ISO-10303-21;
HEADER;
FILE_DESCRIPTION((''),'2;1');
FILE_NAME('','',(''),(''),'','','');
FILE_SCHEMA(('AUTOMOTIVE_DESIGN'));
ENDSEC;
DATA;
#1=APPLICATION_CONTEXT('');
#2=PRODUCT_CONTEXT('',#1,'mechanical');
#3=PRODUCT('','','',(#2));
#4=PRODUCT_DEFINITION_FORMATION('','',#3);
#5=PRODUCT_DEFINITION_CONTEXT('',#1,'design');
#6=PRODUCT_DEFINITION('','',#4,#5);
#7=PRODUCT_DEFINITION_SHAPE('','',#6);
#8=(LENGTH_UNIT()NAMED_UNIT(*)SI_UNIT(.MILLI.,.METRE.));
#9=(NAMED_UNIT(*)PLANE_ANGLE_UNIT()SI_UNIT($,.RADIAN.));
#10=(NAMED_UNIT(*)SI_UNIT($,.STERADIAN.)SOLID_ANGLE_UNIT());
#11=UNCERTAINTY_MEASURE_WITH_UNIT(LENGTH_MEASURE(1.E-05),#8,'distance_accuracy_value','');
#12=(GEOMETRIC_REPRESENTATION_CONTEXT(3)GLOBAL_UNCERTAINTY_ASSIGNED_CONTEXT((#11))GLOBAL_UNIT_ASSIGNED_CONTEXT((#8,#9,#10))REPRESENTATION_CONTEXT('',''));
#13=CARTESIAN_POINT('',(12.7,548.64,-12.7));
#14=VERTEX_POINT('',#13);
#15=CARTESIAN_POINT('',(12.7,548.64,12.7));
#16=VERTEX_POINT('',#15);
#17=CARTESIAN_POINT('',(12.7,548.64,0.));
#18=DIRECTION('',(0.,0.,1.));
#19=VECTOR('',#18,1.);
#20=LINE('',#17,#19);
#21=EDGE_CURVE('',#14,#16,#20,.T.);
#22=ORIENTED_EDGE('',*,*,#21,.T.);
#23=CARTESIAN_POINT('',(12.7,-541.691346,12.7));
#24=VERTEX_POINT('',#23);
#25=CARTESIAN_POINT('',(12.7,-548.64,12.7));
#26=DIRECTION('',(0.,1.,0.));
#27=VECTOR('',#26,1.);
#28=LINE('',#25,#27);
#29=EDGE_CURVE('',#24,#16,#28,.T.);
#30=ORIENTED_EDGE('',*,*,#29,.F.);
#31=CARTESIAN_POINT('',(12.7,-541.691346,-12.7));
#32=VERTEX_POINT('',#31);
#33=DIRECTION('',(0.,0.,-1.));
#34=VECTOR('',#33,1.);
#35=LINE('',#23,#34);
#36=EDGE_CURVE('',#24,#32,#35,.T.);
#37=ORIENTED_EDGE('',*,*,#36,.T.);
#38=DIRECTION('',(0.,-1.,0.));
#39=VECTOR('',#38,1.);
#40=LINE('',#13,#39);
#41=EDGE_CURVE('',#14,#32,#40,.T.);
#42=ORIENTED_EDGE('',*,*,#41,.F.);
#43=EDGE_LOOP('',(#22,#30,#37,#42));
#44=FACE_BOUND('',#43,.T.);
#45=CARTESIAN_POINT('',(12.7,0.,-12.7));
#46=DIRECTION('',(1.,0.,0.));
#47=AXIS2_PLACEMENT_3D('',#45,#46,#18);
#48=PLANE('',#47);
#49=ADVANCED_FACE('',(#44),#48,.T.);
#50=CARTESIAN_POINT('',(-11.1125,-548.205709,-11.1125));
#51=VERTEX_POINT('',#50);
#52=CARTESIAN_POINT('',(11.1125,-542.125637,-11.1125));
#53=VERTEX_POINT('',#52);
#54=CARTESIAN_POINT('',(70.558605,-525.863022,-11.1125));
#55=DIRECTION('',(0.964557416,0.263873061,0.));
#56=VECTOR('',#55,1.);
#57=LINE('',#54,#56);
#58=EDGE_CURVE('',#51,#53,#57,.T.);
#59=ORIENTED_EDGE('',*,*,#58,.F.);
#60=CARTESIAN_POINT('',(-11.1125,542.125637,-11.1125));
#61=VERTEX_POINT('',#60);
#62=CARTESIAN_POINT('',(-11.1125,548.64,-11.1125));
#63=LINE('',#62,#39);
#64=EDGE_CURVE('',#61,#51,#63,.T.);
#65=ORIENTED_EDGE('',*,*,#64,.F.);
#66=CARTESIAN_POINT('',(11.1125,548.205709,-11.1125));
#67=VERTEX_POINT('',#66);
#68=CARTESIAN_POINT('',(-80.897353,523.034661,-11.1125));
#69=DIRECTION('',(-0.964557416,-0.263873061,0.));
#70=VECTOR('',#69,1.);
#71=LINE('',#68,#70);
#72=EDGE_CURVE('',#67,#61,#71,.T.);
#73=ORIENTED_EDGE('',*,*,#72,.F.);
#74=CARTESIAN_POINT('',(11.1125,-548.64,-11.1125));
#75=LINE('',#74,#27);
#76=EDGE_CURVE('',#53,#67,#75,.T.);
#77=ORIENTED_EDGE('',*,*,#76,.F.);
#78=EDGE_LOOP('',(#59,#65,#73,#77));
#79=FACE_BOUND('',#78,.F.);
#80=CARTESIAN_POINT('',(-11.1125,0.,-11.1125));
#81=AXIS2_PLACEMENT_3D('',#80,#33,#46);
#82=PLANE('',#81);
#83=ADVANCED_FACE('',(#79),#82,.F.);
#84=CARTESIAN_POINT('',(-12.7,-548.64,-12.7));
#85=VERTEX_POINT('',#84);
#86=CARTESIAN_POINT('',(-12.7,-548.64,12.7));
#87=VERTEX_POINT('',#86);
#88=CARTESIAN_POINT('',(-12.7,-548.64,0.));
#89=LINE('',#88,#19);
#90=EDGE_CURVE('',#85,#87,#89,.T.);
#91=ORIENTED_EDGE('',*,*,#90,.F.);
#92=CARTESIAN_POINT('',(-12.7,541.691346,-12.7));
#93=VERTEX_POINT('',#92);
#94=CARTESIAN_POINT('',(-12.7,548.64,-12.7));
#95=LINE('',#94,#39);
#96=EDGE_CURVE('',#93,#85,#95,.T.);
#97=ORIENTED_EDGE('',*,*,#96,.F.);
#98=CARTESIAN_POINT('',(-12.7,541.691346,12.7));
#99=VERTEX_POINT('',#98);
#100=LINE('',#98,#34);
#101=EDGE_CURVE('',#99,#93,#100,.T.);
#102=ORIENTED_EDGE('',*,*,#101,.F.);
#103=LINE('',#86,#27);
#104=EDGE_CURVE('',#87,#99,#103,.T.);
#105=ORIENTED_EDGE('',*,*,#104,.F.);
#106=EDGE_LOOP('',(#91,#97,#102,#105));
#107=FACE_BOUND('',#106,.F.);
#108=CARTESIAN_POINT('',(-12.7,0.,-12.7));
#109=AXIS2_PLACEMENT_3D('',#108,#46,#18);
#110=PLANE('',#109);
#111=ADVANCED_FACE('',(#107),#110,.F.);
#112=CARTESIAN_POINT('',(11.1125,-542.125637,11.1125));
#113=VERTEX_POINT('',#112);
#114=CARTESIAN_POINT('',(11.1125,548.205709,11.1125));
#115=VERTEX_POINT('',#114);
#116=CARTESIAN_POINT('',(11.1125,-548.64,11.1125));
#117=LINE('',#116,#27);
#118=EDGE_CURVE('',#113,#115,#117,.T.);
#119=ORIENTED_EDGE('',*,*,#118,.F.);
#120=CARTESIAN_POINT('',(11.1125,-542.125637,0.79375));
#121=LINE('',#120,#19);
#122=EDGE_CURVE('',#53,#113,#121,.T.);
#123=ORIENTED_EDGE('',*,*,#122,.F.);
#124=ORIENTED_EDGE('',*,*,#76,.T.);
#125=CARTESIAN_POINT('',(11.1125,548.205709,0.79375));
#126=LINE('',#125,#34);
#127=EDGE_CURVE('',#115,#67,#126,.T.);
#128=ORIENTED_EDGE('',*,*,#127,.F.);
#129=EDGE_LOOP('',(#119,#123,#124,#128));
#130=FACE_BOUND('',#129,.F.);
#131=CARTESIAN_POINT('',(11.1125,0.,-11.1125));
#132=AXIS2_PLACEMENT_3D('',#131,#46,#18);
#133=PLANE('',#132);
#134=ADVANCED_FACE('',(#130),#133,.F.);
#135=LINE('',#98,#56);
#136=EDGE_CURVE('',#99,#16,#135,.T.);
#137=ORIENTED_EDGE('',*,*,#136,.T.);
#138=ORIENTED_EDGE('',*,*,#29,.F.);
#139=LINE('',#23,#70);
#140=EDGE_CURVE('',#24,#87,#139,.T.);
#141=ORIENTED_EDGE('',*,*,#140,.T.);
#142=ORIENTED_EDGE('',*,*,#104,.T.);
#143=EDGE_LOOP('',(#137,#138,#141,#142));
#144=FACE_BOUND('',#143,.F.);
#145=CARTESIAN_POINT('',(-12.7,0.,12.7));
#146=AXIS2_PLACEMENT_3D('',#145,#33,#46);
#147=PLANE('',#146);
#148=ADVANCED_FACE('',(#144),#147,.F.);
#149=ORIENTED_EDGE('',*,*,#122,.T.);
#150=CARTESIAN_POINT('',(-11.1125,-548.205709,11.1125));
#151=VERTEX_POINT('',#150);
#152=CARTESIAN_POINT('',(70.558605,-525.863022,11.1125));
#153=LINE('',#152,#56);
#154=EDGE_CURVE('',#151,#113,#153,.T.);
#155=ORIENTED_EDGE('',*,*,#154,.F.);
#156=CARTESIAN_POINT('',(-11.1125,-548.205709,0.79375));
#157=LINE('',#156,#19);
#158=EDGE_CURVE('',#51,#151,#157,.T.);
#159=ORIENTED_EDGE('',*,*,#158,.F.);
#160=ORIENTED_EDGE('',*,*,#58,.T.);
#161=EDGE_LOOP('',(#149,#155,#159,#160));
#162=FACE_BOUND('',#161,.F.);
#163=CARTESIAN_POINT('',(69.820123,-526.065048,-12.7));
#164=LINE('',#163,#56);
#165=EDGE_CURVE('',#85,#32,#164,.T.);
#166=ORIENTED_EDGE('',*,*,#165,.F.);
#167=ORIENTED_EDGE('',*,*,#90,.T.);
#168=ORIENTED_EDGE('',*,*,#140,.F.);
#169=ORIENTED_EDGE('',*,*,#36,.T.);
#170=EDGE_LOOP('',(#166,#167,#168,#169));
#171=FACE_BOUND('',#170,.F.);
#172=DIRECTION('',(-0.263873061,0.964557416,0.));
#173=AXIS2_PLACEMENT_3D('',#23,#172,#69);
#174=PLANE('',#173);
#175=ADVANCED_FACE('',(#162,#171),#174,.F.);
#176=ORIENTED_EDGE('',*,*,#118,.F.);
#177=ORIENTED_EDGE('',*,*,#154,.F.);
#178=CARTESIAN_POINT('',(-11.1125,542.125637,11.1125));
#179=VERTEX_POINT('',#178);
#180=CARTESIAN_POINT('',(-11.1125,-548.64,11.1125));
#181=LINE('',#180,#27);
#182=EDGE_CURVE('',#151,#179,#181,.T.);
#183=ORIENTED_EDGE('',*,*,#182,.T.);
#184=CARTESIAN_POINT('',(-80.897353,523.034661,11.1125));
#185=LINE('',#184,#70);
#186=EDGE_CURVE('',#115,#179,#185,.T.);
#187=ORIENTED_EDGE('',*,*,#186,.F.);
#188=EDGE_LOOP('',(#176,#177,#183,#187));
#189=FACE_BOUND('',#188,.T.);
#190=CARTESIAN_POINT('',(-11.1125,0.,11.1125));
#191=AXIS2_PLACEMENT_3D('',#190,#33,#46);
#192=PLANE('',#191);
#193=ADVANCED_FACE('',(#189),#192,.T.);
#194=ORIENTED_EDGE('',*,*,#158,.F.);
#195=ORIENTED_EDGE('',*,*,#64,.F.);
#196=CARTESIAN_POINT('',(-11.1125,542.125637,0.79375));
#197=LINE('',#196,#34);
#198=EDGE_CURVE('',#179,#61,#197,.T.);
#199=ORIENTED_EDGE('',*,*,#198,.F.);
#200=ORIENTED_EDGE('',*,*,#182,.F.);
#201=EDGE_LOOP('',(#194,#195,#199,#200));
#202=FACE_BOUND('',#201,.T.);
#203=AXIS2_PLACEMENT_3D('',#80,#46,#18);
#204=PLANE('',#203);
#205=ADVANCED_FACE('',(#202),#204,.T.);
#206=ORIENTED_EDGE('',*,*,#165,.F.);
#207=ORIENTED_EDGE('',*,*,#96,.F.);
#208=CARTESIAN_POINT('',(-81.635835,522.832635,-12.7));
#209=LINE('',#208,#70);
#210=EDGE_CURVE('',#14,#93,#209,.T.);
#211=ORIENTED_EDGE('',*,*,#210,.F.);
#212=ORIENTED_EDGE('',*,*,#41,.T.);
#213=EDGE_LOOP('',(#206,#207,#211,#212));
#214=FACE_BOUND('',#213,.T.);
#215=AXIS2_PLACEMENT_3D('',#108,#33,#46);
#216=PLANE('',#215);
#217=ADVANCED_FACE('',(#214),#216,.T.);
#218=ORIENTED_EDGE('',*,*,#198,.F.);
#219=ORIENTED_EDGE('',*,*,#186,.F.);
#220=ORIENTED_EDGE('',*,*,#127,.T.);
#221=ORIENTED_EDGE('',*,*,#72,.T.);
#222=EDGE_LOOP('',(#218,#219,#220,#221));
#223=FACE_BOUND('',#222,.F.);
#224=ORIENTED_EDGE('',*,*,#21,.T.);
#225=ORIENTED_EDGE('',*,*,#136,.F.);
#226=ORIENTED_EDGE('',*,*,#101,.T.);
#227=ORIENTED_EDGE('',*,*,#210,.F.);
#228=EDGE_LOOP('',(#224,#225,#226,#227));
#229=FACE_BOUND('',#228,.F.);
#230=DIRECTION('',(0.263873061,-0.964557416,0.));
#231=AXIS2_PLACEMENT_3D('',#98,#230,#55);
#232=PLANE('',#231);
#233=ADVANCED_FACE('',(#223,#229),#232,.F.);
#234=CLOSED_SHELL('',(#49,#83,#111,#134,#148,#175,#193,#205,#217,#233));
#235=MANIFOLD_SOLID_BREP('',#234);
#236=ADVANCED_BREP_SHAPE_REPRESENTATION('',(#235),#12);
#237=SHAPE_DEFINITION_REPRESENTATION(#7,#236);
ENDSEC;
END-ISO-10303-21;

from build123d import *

# Parameters (mm, degrees)
F0_W     = 25.4
F0_H     = 25.4
F0_W_2   = 22.225
F0_H_2   = 22.225
F1_DEPTH = 548.64
F3_DEPTH = 25.401
F5_DEPTH = 25.401


with BuildPart() as f1:
    # F0 (on Front) → F1 (new body, symmetric)
    with BuildSketch(Plane.XZ):
        Rectangle(F0_W, F0_H)
        Rectangle(F0_W_2, F0_H_2, mode=Mode.SUBTRACT)
    extrude(amount=F1_DEPTH, both=True)

    # F2 (on face) → F3 (cut, through all)
    with BuildSketch(Plane.XY.offset(12.7)):
        Polygon((12.7, 548.64), (-12.7, 548.64), (-12.7, 541.691346), align=None)
    extrude(amount=-F3_DEPTH, mode=Mode.SUBTRACT)

    # F4 (on face) → F5 (cut, through all)
    with BuildSketch(Plane.XY.offset(12.7)):
        Polygon((12.7, -541.691346), (-12.7, -548.64), (12.7, -548.64), align=None)
    extrude(amount=-F5_DEPTH, mode=Mode.SUBTRACT)


solid = f1.part
